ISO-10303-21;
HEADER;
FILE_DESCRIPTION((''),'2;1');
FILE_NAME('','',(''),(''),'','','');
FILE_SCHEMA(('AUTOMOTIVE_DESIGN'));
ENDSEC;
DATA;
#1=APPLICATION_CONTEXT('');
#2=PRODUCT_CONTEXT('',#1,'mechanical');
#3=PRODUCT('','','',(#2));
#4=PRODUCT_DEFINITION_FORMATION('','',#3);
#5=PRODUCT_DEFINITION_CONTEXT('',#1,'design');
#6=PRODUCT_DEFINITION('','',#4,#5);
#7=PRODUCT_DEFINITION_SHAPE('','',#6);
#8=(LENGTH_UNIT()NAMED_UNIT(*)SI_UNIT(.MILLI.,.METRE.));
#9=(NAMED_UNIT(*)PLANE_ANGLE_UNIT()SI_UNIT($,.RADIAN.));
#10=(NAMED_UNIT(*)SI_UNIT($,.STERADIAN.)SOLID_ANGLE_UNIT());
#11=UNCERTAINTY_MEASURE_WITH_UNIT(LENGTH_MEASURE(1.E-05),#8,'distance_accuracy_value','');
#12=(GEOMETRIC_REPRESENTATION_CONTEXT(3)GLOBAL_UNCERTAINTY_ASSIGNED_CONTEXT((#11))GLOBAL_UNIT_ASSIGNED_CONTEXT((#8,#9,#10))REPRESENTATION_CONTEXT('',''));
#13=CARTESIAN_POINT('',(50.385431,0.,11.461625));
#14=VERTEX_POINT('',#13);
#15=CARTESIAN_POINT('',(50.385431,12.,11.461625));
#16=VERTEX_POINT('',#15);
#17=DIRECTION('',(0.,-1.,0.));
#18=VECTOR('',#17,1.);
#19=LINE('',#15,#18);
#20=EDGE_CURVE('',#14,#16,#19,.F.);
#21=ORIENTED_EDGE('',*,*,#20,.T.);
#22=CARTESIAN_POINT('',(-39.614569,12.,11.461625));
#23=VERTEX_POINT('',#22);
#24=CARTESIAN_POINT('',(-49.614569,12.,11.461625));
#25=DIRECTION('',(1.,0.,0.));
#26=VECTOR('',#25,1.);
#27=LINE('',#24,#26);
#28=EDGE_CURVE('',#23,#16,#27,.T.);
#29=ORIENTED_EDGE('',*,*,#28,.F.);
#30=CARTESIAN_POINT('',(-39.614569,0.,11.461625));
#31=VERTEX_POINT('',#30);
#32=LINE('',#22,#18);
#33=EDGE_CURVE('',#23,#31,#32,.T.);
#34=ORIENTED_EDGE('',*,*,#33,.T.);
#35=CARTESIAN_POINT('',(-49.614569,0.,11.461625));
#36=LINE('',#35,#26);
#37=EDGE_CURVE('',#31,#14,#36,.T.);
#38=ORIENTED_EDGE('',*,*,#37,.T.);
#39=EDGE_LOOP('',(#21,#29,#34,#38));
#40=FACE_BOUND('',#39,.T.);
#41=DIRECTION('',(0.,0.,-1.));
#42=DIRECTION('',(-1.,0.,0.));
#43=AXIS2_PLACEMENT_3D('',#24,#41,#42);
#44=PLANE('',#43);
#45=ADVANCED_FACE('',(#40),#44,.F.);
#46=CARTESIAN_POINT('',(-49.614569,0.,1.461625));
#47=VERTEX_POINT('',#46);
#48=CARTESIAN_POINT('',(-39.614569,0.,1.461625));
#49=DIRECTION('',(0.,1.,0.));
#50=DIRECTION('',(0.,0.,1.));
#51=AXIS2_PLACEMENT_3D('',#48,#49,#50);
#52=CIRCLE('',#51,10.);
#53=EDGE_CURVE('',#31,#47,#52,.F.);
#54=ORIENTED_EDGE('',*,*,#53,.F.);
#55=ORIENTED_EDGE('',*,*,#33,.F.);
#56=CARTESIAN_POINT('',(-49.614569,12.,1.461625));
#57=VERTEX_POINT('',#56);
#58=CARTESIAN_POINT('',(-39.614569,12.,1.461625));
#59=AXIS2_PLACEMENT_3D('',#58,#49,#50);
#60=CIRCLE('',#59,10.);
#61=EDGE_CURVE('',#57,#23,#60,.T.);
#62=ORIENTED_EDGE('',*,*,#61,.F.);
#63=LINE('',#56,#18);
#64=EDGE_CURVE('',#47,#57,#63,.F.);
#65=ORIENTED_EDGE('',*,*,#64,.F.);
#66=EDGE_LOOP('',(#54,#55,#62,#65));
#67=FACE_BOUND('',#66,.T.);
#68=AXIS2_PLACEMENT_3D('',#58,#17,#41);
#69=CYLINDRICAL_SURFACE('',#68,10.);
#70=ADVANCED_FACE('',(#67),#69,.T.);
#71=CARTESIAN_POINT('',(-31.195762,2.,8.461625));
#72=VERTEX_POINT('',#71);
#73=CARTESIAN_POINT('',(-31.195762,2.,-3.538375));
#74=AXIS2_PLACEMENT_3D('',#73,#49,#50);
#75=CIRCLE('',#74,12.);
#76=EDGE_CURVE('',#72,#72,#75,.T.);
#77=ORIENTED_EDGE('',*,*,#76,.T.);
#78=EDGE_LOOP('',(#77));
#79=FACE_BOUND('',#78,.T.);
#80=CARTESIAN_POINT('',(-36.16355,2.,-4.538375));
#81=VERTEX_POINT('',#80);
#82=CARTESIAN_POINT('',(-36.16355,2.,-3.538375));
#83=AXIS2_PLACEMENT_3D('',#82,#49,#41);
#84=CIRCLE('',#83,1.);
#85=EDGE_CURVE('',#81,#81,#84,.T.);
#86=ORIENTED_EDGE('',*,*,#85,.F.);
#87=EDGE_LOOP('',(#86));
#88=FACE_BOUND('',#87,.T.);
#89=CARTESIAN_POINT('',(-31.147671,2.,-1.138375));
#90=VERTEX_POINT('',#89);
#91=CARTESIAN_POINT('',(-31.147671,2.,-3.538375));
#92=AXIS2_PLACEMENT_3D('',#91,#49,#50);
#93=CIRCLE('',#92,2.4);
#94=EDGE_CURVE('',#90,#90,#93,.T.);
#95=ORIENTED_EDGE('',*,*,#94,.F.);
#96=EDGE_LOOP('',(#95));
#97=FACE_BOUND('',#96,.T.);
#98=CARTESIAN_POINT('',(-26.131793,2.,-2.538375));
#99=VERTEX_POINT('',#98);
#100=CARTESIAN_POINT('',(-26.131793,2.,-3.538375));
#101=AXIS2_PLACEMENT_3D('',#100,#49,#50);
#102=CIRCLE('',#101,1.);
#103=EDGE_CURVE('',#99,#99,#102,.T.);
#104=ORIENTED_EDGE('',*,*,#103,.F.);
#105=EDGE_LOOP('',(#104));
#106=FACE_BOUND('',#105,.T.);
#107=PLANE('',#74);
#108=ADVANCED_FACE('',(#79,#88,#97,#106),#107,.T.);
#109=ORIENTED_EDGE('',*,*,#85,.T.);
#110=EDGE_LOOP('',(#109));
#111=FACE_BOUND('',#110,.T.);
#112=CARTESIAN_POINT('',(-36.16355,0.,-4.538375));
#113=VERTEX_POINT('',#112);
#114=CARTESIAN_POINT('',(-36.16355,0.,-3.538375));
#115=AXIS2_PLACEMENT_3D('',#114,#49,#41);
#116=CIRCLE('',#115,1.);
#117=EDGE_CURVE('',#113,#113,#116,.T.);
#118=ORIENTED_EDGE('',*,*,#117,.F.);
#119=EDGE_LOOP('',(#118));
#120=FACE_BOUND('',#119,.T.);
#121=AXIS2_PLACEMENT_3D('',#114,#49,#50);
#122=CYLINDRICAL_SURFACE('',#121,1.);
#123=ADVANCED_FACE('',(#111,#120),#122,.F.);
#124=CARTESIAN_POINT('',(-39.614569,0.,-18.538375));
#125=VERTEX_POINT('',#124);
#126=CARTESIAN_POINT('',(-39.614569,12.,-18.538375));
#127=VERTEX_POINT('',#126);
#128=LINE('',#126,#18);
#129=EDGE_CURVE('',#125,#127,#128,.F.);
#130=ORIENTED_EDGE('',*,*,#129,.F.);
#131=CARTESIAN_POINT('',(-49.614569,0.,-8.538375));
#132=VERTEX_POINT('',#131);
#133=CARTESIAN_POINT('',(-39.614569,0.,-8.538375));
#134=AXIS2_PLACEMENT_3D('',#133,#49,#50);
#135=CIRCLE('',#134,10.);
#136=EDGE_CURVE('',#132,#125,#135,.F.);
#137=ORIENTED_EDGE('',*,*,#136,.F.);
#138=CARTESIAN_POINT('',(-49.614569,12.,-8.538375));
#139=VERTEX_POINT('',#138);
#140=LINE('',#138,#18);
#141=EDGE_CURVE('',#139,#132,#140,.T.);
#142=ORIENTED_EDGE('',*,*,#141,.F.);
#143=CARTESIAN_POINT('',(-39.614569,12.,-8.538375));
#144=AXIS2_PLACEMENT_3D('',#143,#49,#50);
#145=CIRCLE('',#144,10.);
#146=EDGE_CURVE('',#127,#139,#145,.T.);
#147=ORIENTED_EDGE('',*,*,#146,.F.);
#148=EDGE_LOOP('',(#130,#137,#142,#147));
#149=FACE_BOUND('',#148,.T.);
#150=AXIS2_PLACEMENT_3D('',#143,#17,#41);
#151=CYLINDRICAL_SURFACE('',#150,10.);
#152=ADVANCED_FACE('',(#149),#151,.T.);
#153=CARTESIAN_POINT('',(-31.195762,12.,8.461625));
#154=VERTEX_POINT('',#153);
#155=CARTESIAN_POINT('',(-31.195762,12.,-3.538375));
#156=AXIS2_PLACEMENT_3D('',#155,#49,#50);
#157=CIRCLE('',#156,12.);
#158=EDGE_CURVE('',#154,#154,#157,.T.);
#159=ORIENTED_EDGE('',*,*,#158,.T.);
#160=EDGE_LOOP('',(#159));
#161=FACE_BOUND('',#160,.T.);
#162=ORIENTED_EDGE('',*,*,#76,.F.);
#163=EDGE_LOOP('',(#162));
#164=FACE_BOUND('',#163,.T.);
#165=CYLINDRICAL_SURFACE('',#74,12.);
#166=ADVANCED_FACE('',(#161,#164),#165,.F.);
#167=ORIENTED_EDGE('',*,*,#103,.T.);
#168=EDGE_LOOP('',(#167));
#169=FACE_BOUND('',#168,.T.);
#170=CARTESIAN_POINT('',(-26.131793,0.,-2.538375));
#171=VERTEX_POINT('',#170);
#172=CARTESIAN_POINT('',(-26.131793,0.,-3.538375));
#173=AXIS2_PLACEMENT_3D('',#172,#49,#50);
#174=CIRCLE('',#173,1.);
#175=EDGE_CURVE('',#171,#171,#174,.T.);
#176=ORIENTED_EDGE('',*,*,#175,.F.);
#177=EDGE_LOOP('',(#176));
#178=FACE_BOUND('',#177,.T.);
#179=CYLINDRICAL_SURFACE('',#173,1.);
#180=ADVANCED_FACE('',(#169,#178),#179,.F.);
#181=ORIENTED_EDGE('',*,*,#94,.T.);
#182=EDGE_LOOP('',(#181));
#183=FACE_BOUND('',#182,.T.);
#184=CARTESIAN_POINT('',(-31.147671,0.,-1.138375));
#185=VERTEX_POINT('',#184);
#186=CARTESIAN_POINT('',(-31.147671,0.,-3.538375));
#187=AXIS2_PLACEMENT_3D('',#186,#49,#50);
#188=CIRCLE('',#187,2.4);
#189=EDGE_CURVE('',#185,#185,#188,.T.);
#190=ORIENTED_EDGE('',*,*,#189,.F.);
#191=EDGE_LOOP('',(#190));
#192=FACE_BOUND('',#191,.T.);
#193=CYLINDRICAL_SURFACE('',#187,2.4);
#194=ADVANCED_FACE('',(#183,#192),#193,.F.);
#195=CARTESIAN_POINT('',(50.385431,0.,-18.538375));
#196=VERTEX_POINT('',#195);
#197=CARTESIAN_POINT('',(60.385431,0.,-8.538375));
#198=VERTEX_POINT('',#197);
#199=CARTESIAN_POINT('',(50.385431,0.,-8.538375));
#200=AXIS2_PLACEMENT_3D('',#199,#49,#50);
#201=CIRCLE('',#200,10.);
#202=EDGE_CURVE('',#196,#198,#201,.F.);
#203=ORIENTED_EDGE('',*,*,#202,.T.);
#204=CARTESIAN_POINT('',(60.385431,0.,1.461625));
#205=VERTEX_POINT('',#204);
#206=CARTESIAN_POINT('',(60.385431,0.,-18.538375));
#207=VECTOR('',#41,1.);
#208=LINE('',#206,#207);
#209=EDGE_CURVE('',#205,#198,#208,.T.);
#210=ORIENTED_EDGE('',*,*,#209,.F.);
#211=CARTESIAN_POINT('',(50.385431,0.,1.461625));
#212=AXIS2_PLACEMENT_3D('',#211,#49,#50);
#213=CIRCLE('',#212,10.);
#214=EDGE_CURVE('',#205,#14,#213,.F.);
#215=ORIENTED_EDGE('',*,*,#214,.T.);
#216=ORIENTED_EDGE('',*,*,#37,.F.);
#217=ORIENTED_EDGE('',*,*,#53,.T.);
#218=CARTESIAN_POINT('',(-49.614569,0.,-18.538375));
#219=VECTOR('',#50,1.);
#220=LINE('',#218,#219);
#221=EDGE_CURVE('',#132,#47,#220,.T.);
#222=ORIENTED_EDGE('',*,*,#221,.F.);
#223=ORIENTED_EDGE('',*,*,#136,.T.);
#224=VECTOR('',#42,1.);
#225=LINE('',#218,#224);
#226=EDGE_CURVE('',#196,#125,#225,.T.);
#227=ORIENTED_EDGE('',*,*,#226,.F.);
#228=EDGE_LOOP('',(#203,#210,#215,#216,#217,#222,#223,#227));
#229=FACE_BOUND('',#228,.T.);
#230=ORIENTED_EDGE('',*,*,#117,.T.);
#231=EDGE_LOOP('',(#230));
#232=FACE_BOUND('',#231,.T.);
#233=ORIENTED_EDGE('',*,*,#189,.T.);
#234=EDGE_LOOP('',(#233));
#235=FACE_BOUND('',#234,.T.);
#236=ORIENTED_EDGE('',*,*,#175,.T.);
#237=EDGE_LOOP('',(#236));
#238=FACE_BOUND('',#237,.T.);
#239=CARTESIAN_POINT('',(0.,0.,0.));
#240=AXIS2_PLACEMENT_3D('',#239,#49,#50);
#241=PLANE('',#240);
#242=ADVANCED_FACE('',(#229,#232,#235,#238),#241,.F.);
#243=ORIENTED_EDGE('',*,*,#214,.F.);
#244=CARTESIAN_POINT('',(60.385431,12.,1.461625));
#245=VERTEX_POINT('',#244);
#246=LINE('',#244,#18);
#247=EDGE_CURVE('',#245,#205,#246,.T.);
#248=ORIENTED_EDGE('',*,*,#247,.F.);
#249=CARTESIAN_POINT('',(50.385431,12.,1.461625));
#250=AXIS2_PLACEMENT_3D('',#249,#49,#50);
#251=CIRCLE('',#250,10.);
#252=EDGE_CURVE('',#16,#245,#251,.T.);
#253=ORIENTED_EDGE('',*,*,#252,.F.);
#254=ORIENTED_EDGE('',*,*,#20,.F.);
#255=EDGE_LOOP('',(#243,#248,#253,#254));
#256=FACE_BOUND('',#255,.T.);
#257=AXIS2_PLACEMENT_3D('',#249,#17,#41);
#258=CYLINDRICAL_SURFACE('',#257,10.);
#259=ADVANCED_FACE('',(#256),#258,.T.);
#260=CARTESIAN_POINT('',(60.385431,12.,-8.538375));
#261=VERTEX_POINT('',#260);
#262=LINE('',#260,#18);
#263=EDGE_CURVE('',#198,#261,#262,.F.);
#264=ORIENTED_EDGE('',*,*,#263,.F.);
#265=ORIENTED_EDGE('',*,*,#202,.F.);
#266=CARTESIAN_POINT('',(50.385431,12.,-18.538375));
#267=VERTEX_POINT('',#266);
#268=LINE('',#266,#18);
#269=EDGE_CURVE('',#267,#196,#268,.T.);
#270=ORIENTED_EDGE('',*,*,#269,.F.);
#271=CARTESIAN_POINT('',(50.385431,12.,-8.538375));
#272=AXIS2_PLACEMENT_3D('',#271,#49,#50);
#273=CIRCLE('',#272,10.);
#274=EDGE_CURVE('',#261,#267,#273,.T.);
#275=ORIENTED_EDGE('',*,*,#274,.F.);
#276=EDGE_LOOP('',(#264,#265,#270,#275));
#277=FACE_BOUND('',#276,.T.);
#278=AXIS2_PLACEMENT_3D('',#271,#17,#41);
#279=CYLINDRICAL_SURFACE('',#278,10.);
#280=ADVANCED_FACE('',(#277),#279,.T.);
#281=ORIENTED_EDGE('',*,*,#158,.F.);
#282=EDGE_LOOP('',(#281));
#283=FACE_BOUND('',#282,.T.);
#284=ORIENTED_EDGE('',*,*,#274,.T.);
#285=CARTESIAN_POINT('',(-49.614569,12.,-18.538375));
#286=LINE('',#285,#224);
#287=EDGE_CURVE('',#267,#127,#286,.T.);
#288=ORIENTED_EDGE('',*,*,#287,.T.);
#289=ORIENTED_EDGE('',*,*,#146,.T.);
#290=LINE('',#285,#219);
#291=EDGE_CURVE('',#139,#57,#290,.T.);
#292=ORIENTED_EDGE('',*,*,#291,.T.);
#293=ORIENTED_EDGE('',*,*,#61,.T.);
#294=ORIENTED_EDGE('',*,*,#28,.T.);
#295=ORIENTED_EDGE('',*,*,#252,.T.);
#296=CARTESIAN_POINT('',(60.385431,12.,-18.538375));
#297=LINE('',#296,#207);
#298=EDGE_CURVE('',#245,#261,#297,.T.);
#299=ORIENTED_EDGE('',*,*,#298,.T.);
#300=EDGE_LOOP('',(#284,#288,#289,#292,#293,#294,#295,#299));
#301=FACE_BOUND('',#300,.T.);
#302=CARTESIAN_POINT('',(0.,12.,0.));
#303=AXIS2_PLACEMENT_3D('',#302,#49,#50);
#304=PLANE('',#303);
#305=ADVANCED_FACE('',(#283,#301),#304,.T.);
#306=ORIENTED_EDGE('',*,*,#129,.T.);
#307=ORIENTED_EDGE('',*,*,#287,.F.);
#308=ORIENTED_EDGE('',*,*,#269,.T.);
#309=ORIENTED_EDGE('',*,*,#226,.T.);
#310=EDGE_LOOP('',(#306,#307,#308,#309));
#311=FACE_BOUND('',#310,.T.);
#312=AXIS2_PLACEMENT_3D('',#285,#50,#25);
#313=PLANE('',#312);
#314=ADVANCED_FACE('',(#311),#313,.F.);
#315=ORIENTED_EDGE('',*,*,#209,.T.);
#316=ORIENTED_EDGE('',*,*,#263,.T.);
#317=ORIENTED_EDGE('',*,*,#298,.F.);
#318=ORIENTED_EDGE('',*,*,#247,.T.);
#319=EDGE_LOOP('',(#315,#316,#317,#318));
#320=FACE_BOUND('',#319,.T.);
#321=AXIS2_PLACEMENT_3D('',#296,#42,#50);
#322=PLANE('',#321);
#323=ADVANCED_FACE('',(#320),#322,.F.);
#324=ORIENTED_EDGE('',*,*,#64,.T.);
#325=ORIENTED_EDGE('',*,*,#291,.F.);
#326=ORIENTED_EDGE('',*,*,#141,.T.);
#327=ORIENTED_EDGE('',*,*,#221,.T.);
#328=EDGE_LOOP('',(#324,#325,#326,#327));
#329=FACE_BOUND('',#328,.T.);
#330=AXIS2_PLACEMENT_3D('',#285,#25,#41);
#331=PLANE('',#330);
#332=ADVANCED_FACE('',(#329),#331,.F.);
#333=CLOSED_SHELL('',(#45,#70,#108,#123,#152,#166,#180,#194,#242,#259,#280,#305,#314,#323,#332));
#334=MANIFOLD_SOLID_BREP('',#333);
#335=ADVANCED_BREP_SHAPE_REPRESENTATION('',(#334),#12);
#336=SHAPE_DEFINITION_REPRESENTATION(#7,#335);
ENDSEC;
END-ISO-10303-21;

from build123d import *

# Parameters (mm, degrees)
SKETCH1_W           = 110
SKETCH1_H           = 30
BOSS_EXTRUDE1_DEPTH = 12
FILLET1_R           = 10
FILLET2_R           = 10
SKETCH9_R           = 12
CUT_EXTRUDE5_DEPTH  = 10
SKETCH10_R          = 2.4
SKETCH10_R_2        = 1
CUT_EXTRUDE6_DEPTH  = 64.95366743


with BuildPart() as part:
    # Sketch1 → Boss-Extrude1 (new body)
    with BuildSketch(Plane(origin=(0, 0, 0), x_dir=(1, 0, 0), z_dir=(0, 1, 0))):
        with Locations((5.385430756, 3.53837453)):
            Rectangle(SKETCH1_W, SKETCH1_H)
    extrude(amount=BOSS_EXTRUDE1_DEPTH)

    # Fillet1
    fillet1_edges = [part.edges().sort_by_distance(p)[0] for p in [
        (-49.614569244, 6, -18.53837453),
        (-49.614569244, 6, 11.46162547),
    ]]
    fillet(fillet1_edges, radius=FILLET1_R)

    # Fillet2
    fillet2_edges = [part.edges().sort_by_distance(p)[0] for p in [
        (60.385430756, 6, -18.53837453),
        (60.385430756, 6, 11.46162547),
    ]]
    fillet(fillet2_edges, radius=FILLET2_R)

    # Sketch9 → Cut-Extrude5 (cut)
    with BuildSketch(Plane(origin=(0, 12, 0), x_dir=(1, 0, 0), z_dir=(0, 1, 0))):
        with Locations(Location((-31.195762423, 3.53837453, 0), (0, 0, 270))):
            Circle(SKETCH9_R)
    extrude(amount=-CUT_EXTRUDE5_DEPTH, mode=Mode.SUBTRACT)

    # Sketch10 → Cut-Extrude6 (cut, through all)
    with BuildSketch(Plane(origin=(0, 2, 0), x_dir=(1, 0, 0), z_dir=(0, 1, 0))):
        with Locations(Location((-31.147671482, 3.53837453, 0), (0, 0, 270))):
            Circle(SKETCH10_R)
        with Locations(Location((-26.131792826, 3.53837453, 0), (0, 0, 270))):
            Circle(SKETCH10_R_2)
        with Locations(Location((-36.163550137, 3.53837453, 0), (0, 0, 90))):
            Circle(SKETCH10_R_2)
    extrude(amount=-CUT_EXTRUDE6_DEPTH, mode=Mode.SUBTRACT)


solid = part.part
